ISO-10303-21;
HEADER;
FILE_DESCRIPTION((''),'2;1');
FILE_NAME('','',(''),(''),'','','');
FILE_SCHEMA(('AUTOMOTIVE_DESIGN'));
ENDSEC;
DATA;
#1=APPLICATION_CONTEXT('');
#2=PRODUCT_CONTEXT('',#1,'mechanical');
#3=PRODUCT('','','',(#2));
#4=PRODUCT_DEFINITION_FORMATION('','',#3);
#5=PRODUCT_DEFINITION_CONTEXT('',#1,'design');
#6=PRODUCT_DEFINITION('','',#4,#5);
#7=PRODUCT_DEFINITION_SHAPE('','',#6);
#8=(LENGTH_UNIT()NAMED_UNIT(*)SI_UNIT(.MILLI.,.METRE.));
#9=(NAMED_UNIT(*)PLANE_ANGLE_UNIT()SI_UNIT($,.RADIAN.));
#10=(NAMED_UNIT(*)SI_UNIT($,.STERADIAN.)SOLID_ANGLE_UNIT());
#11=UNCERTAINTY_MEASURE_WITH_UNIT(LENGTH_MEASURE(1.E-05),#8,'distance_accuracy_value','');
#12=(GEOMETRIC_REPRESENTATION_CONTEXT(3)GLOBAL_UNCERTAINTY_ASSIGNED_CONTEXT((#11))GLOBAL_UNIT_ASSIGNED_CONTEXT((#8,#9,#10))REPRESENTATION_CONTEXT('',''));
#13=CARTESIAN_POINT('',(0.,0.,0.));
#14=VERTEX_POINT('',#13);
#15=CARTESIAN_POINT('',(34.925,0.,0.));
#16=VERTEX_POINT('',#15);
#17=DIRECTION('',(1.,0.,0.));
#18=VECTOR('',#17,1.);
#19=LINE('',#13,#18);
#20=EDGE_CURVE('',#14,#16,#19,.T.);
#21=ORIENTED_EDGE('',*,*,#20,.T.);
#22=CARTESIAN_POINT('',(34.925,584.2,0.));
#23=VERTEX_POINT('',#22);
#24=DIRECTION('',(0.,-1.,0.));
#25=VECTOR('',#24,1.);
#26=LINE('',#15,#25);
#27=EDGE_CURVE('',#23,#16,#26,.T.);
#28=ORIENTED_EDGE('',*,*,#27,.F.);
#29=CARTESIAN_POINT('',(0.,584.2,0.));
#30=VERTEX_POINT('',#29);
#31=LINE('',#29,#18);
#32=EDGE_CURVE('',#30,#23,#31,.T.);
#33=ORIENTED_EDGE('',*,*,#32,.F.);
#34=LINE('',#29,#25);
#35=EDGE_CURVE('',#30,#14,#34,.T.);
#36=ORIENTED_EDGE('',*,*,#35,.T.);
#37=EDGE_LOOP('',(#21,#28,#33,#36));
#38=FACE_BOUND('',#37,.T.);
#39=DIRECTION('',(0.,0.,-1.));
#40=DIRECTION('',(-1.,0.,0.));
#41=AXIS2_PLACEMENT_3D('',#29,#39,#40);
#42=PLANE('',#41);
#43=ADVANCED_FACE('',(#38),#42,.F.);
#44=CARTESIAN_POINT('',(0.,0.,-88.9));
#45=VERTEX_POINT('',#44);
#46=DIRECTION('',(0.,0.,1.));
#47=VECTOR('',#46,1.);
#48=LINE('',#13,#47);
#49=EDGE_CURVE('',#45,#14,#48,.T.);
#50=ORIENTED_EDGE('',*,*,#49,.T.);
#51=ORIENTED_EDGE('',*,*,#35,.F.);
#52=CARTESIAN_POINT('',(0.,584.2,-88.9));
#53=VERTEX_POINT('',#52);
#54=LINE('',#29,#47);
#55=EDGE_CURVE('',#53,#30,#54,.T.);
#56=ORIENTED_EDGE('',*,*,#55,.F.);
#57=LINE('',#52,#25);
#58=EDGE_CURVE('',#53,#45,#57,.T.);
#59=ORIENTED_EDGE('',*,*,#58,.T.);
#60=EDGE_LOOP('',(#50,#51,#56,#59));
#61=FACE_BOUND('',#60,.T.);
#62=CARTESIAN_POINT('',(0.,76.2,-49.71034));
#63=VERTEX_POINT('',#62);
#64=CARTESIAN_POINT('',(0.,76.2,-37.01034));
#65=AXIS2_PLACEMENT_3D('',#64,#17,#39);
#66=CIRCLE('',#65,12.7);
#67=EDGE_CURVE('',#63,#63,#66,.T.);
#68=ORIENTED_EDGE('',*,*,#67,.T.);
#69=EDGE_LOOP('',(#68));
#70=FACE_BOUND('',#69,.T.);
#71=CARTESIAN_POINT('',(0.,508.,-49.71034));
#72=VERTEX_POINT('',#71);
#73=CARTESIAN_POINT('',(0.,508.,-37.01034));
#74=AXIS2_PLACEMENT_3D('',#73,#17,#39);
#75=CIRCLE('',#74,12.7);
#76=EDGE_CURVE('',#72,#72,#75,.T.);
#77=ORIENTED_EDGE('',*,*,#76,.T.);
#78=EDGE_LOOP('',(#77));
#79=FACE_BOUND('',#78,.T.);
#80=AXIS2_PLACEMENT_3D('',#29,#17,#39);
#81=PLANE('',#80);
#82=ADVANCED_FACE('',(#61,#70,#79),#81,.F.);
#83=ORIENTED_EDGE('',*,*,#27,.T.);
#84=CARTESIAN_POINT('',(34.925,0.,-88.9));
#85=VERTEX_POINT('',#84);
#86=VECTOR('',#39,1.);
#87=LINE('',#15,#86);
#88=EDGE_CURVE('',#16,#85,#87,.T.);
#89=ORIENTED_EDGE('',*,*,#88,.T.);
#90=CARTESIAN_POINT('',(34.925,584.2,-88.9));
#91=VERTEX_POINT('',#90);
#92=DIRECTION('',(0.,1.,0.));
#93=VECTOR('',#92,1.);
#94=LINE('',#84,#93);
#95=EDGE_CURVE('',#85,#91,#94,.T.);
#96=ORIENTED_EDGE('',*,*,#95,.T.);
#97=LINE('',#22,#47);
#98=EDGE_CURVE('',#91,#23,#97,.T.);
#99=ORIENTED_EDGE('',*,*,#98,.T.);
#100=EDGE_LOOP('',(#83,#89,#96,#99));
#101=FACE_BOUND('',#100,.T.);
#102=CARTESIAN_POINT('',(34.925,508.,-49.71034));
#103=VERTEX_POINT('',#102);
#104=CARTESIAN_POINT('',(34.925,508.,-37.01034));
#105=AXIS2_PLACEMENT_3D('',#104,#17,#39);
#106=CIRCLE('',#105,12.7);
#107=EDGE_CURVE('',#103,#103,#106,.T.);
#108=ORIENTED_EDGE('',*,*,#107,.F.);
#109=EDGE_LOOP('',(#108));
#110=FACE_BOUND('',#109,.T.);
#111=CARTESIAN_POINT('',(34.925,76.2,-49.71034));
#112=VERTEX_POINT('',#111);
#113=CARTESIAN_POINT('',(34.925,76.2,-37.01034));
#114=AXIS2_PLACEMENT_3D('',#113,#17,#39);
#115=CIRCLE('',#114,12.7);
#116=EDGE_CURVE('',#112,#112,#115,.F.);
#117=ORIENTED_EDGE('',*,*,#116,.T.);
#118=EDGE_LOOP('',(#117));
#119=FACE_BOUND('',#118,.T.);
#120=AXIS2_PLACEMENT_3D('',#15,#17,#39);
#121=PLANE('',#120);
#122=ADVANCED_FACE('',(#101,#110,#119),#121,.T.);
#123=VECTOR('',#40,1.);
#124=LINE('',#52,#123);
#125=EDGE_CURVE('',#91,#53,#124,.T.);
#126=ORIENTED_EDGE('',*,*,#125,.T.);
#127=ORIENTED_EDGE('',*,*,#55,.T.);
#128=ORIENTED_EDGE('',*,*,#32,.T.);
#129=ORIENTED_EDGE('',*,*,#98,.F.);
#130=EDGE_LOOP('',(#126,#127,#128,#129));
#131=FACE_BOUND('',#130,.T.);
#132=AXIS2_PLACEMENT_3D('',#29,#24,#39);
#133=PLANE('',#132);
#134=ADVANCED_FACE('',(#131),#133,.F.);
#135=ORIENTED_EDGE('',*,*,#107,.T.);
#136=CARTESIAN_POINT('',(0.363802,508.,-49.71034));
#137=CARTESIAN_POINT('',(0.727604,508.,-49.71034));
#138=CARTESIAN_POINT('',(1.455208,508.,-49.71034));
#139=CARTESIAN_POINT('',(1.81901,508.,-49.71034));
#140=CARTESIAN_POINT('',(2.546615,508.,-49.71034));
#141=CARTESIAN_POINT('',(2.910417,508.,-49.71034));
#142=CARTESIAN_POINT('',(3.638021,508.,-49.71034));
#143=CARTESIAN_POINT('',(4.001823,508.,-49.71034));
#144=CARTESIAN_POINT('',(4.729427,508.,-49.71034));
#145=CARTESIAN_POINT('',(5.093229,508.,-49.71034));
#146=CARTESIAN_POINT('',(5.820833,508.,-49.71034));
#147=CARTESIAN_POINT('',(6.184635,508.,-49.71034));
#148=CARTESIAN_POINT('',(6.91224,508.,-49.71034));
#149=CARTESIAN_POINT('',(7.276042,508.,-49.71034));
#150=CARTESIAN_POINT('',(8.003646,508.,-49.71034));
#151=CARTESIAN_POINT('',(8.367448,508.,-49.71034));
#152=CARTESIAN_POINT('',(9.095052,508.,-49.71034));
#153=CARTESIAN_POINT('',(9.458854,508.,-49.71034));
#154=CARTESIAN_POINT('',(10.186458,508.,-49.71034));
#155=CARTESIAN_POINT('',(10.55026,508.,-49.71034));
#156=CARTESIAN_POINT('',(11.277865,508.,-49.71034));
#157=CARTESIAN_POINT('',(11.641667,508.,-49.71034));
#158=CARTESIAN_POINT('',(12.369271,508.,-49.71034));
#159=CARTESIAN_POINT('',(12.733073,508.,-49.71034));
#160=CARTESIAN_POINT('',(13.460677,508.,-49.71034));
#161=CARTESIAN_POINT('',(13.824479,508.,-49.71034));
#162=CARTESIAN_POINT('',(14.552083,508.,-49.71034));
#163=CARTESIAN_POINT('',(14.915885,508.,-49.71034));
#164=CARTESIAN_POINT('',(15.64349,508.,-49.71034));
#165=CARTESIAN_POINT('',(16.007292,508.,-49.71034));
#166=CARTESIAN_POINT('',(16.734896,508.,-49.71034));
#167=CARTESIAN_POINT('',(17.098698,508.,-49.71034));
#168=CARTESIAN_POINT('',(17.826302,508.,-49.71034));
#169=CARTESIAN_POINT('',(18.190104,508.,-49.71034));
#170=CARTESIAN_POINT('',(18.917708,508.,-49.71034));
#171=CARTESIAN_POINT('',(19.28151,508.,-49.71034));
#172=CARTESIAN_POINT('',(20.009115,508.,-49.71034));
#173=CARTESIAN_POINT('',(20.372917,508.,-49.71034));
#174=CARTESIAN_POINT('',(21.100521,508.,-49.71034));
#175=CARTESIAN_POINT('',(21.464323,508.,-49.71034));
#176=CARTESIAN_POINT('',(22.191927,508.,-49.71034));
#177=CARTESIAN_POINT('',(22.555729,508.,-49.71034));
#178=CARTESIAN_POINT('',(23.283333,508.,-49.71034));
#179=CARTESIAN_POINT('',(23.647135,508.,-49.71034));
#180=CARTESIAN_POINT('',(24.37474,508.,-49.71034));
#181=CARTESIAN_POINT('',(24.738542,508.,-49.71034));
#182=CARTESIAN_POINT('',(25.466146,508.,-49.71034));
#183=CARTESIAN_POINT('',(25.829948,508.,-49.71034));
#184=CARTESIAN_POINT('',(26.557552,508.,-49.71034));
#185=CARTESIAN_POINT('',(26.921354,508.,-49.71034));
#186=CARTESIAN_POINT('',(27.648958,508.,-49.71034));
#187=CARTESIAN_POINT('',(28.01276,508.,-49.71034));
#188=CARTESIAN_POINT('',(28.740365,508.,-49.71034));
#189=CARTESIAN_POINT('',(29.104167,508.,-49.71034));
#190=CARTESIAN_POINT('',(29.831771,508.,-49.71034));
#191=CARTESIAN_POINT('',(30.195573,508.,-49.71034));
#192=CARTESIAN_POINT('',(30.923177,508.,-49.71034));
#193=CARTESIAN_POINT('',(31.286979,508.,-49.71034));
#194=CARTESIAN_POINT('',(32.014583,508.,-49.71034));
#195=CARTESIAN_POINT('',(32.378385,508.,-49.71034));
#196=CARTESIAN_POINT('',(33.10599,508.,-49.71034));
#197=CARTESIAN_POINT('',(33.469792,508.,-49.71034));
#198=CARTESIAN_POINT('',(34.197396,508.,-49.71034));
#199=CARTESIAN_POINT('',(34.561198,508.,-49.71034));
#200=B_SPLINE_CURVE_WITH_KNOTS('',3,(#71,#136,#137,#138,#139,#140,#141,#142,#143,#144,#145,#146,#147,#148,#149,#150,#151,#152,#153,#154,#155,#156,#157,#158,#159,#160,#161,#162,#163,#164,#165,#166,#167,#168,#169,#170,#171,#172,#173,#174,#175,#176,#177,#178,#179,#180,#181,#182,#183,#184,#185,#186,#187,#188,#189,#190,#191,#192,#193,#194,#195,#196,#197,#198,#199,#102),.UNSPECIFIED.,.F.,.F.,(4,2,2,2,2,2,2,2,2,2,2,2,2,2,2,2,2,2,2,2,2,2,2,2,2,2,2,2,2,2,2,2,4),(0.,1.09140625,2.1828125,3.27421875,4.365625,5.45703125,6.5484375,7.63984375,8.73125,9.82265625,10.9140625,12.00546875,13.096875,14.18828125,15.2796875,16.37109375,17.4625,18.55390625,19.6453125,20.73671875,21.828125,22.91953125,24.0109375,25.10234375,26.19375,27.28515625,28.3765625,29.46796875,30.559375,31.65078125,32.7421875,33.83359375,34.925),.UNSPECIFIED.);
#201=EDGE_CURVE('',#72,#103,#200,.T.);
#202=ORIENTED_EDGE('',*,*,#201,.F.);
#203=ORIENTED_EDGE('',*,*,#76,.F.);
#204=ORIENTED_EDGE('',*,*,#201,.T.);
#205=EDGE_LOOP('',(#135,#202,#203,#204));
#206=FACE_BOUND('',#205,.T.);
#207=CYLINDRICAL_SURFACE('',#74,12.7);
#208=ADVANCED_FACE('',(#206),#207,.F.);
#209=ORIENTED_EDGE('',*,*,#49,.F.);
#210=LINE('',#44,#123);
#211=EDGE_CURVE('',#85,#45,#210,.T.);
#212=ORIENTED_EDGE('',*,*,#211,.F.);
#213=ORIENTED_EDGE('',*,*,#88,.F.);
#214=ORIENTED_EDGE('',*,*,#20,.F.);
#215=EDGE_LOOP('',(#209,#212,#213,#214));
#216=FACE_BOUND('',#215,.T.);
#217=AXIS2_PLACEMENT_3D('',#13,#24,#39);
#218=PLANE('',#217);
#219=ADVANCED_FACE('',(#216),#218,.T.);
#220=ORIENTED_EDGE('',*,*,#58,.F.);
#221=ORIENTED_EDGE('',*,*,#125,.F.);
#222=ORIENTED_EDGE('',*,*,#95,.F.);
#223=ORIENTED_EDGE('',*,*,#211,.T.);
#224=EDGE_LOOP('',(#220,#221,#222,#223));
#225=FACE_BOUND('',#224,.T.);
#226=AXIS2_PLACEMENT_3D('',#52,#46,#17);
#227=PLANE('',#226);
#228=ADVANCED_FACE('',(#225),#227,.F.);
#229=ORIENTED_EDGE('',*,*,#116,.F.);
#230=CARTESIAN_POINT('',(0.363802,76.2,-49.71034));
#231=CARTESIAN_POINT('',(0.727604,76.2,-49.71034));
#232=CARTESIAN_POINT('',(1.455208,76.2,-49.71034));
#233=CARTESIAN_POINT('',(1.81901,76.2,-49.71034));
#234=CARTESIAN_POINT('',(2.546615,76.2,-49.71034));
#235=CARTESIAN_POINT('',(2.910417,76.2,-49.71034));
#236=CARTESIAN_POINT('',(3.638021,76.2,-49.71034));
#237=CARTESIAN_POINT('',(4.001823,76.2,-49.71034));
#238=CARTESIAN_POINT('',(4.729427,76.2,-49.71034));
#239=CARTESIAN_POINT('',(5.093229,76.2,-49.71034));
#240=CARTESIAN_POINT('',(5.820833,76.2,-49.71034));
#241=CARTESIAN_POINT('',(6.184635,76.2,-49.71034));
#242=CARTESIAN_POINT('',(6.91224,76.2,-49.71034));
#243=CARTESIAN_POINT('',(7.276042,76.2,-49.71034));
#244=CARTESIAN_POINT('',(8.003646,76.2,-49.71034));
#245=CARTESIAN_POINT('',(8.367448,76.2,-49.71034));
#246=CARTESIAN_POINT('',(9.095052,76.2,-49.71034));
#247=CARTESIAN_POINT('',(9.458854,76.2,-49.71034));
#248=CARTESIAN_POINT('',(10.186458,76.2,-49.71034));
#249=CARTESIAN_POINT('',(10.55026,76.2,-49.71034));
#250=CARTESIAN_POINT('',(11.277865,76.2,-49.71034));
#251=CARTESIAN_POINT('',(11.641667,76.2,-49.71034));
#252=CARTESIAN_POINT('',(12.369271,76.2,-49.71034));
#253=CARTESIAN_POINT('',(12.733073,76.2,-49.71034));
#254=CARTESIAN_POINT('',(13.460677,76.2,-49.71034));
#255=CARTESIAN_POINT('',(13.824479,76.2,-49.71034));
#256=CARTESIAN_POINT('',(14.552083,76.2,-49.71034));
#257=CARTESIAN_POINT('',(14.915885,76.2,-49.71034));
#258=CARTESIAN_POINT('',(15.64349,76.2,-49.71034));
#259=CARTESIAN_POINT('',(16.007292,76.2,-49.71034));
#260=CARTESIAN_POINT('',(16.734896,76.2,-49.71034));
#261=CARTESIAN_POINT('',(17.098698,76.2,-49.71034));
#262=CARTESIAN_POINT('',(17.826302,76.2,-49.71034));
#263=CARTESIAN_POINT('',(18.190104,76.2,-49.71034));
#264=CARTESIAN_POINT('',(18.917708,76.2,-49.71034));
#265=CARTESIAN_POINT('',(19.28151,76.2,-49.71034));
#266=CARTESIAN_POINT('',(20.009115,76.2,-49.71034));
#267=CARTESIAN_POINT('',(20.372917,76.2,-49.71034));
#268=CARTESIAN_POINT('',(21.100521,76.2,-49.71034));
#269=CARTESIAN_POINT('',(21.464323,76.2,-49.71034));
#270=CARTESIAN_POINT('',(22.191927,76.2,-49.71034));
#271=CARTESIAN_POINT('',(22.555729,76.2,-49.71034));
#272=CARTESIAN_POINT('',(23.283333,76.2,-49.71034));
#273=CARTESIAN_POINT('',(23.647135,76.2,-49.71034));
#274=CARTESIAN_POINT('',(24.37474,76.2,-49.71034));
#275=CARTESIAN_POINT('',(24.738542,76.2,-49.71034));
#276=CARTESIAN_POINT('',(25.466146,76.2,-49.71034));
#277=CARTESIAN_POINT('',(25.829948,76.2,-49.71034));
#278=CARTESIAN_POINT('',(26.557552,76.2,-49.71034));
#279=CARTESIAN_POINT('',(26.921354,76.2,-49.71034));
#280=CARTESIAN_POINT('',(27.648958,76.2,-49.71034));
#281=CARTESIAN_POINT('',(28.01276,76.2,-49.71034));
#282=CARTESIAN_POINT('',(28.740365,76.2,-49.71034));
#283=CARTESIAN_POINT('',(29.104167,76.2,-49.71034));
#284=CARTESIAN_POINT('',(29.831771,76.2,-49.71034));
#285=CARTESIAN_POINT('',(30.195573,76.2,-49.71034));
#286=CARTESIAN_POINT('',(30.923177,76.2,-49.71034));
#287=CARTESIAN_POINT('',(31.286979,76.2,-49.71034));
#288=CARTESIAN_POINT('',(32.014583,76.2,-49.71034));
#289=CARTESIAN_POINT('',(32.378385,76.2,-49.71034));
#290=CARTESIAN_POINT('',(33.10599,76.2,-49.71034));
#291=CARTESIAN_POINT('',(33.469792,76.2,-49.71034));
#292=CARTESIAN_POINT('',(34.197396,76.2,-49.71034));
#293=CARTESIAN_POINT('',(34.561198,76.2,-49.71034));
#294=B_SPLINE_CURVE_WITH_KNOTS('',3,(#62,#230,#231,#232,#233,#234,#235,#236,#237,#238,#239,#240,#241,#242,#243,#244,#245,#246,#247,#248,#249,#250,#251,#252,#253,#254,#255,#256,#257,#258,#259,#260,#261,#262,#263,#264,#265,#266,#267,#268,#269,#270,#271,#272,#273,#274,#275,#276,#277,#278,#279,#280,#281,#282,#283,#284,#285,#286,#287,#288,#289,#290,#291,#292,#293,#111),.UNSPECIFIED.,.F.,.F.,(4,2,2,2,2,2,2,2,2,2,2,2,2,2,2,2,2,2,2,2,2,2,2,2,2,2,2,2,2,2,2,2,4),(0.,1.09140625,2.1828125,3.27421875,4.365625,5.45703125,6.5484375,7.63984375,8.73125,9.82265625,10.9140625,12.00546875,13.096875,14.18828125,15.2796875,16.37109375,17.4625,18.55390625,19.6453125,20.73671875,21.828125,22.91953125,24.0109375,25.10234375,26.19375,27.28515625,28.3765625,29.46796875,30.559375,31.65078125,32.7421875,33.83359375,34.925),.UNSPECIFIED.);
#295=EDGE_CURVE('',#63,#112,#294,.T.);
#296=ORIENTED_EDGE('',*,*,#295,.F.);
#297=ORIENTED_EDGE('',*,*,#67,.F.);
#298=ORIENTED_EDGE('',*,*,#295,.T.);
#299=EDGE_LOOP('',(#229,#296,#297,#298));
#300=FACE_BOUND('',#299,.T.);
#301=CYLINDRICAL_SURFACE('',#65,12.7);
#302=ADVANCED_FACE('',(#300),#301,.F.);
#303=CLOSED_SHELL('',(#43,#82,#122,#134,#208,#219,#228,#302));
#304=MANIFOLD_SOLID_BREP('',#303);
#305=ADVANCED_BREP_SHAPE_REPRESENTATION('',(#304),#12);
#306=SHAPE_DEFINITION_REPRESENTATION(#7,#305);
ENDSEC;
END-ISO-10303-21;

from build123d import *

# Parameters (mm, degrees)
SKETCH1_W           = 38.1
SKETCH1_H           = 88.9
BOSS_EXTRUDE1_DEPTH = 584.2
SKETCH2_R           = 12.7
CUT_EXTRUDE1_DEPTH  = 593.152395925
SKETCH2_3_W         = 88.9
SKETCH2_3_H         = 584.2
SKETCH2_3_R         = 12.7
CUT_EXTRUDE2_DEPTH  = 3.175


with BuildPart() as part:
    # Sketch1 → Boss-Extrude1 (new body)
    with BuildSketch(Plane(origin=(0, 0, 0), x_dir=(1, 0, 0), z_dir=(0, 1, 0))):
        with Locations((19.05, 44.45)):
            Rectangle(SKETCH1_W, SKETCH1_H)
    extrude(amount=BOSS_EXTRUDE1_DEPTH)

    # Sketch2 → Cut-Extrude1 (cut, through all)
    with BuildSketch(Plane(origin=(38.1, 0, 0), x_dir=(0, 0, -1), z_dir=(1, 0, 0))):
        with Locations((37.01034, 76.2)):
            Circle(SKETCH2_R)
        with Locations((37.01034, 508)):
            Circle(SKETCH2_R)
    extrude(amount=-CUT_EXTRUDE1_DEPTH, mode=Mode.SUBTRACT)

    # Sketch2<3> → Cut-Extrude2 (cut)
    with BuildSketch(Plane(origin=(38.1, 0, 0), x_dir=(0, 0, -1), z_dir=(1, 0, 0))):
        with Locations((44.45, 292.1)):
            Rectangle(SKETCH2_3_W, SKETCH2_3_H)
        with Locations((37.01034, 76.2)):
            Circle(SKETCH2_3_R, mode=Mode.SUBTRACT)
        with Locations((37.01034, 508)):
            Circle(SKETCH2_3_R, mode=Mode.SUBTRACT)
    extrude(amount=-CUT_EXTRUDE2_DEPTH, mode=Mode.SUBTRACT)


solid = part.part
